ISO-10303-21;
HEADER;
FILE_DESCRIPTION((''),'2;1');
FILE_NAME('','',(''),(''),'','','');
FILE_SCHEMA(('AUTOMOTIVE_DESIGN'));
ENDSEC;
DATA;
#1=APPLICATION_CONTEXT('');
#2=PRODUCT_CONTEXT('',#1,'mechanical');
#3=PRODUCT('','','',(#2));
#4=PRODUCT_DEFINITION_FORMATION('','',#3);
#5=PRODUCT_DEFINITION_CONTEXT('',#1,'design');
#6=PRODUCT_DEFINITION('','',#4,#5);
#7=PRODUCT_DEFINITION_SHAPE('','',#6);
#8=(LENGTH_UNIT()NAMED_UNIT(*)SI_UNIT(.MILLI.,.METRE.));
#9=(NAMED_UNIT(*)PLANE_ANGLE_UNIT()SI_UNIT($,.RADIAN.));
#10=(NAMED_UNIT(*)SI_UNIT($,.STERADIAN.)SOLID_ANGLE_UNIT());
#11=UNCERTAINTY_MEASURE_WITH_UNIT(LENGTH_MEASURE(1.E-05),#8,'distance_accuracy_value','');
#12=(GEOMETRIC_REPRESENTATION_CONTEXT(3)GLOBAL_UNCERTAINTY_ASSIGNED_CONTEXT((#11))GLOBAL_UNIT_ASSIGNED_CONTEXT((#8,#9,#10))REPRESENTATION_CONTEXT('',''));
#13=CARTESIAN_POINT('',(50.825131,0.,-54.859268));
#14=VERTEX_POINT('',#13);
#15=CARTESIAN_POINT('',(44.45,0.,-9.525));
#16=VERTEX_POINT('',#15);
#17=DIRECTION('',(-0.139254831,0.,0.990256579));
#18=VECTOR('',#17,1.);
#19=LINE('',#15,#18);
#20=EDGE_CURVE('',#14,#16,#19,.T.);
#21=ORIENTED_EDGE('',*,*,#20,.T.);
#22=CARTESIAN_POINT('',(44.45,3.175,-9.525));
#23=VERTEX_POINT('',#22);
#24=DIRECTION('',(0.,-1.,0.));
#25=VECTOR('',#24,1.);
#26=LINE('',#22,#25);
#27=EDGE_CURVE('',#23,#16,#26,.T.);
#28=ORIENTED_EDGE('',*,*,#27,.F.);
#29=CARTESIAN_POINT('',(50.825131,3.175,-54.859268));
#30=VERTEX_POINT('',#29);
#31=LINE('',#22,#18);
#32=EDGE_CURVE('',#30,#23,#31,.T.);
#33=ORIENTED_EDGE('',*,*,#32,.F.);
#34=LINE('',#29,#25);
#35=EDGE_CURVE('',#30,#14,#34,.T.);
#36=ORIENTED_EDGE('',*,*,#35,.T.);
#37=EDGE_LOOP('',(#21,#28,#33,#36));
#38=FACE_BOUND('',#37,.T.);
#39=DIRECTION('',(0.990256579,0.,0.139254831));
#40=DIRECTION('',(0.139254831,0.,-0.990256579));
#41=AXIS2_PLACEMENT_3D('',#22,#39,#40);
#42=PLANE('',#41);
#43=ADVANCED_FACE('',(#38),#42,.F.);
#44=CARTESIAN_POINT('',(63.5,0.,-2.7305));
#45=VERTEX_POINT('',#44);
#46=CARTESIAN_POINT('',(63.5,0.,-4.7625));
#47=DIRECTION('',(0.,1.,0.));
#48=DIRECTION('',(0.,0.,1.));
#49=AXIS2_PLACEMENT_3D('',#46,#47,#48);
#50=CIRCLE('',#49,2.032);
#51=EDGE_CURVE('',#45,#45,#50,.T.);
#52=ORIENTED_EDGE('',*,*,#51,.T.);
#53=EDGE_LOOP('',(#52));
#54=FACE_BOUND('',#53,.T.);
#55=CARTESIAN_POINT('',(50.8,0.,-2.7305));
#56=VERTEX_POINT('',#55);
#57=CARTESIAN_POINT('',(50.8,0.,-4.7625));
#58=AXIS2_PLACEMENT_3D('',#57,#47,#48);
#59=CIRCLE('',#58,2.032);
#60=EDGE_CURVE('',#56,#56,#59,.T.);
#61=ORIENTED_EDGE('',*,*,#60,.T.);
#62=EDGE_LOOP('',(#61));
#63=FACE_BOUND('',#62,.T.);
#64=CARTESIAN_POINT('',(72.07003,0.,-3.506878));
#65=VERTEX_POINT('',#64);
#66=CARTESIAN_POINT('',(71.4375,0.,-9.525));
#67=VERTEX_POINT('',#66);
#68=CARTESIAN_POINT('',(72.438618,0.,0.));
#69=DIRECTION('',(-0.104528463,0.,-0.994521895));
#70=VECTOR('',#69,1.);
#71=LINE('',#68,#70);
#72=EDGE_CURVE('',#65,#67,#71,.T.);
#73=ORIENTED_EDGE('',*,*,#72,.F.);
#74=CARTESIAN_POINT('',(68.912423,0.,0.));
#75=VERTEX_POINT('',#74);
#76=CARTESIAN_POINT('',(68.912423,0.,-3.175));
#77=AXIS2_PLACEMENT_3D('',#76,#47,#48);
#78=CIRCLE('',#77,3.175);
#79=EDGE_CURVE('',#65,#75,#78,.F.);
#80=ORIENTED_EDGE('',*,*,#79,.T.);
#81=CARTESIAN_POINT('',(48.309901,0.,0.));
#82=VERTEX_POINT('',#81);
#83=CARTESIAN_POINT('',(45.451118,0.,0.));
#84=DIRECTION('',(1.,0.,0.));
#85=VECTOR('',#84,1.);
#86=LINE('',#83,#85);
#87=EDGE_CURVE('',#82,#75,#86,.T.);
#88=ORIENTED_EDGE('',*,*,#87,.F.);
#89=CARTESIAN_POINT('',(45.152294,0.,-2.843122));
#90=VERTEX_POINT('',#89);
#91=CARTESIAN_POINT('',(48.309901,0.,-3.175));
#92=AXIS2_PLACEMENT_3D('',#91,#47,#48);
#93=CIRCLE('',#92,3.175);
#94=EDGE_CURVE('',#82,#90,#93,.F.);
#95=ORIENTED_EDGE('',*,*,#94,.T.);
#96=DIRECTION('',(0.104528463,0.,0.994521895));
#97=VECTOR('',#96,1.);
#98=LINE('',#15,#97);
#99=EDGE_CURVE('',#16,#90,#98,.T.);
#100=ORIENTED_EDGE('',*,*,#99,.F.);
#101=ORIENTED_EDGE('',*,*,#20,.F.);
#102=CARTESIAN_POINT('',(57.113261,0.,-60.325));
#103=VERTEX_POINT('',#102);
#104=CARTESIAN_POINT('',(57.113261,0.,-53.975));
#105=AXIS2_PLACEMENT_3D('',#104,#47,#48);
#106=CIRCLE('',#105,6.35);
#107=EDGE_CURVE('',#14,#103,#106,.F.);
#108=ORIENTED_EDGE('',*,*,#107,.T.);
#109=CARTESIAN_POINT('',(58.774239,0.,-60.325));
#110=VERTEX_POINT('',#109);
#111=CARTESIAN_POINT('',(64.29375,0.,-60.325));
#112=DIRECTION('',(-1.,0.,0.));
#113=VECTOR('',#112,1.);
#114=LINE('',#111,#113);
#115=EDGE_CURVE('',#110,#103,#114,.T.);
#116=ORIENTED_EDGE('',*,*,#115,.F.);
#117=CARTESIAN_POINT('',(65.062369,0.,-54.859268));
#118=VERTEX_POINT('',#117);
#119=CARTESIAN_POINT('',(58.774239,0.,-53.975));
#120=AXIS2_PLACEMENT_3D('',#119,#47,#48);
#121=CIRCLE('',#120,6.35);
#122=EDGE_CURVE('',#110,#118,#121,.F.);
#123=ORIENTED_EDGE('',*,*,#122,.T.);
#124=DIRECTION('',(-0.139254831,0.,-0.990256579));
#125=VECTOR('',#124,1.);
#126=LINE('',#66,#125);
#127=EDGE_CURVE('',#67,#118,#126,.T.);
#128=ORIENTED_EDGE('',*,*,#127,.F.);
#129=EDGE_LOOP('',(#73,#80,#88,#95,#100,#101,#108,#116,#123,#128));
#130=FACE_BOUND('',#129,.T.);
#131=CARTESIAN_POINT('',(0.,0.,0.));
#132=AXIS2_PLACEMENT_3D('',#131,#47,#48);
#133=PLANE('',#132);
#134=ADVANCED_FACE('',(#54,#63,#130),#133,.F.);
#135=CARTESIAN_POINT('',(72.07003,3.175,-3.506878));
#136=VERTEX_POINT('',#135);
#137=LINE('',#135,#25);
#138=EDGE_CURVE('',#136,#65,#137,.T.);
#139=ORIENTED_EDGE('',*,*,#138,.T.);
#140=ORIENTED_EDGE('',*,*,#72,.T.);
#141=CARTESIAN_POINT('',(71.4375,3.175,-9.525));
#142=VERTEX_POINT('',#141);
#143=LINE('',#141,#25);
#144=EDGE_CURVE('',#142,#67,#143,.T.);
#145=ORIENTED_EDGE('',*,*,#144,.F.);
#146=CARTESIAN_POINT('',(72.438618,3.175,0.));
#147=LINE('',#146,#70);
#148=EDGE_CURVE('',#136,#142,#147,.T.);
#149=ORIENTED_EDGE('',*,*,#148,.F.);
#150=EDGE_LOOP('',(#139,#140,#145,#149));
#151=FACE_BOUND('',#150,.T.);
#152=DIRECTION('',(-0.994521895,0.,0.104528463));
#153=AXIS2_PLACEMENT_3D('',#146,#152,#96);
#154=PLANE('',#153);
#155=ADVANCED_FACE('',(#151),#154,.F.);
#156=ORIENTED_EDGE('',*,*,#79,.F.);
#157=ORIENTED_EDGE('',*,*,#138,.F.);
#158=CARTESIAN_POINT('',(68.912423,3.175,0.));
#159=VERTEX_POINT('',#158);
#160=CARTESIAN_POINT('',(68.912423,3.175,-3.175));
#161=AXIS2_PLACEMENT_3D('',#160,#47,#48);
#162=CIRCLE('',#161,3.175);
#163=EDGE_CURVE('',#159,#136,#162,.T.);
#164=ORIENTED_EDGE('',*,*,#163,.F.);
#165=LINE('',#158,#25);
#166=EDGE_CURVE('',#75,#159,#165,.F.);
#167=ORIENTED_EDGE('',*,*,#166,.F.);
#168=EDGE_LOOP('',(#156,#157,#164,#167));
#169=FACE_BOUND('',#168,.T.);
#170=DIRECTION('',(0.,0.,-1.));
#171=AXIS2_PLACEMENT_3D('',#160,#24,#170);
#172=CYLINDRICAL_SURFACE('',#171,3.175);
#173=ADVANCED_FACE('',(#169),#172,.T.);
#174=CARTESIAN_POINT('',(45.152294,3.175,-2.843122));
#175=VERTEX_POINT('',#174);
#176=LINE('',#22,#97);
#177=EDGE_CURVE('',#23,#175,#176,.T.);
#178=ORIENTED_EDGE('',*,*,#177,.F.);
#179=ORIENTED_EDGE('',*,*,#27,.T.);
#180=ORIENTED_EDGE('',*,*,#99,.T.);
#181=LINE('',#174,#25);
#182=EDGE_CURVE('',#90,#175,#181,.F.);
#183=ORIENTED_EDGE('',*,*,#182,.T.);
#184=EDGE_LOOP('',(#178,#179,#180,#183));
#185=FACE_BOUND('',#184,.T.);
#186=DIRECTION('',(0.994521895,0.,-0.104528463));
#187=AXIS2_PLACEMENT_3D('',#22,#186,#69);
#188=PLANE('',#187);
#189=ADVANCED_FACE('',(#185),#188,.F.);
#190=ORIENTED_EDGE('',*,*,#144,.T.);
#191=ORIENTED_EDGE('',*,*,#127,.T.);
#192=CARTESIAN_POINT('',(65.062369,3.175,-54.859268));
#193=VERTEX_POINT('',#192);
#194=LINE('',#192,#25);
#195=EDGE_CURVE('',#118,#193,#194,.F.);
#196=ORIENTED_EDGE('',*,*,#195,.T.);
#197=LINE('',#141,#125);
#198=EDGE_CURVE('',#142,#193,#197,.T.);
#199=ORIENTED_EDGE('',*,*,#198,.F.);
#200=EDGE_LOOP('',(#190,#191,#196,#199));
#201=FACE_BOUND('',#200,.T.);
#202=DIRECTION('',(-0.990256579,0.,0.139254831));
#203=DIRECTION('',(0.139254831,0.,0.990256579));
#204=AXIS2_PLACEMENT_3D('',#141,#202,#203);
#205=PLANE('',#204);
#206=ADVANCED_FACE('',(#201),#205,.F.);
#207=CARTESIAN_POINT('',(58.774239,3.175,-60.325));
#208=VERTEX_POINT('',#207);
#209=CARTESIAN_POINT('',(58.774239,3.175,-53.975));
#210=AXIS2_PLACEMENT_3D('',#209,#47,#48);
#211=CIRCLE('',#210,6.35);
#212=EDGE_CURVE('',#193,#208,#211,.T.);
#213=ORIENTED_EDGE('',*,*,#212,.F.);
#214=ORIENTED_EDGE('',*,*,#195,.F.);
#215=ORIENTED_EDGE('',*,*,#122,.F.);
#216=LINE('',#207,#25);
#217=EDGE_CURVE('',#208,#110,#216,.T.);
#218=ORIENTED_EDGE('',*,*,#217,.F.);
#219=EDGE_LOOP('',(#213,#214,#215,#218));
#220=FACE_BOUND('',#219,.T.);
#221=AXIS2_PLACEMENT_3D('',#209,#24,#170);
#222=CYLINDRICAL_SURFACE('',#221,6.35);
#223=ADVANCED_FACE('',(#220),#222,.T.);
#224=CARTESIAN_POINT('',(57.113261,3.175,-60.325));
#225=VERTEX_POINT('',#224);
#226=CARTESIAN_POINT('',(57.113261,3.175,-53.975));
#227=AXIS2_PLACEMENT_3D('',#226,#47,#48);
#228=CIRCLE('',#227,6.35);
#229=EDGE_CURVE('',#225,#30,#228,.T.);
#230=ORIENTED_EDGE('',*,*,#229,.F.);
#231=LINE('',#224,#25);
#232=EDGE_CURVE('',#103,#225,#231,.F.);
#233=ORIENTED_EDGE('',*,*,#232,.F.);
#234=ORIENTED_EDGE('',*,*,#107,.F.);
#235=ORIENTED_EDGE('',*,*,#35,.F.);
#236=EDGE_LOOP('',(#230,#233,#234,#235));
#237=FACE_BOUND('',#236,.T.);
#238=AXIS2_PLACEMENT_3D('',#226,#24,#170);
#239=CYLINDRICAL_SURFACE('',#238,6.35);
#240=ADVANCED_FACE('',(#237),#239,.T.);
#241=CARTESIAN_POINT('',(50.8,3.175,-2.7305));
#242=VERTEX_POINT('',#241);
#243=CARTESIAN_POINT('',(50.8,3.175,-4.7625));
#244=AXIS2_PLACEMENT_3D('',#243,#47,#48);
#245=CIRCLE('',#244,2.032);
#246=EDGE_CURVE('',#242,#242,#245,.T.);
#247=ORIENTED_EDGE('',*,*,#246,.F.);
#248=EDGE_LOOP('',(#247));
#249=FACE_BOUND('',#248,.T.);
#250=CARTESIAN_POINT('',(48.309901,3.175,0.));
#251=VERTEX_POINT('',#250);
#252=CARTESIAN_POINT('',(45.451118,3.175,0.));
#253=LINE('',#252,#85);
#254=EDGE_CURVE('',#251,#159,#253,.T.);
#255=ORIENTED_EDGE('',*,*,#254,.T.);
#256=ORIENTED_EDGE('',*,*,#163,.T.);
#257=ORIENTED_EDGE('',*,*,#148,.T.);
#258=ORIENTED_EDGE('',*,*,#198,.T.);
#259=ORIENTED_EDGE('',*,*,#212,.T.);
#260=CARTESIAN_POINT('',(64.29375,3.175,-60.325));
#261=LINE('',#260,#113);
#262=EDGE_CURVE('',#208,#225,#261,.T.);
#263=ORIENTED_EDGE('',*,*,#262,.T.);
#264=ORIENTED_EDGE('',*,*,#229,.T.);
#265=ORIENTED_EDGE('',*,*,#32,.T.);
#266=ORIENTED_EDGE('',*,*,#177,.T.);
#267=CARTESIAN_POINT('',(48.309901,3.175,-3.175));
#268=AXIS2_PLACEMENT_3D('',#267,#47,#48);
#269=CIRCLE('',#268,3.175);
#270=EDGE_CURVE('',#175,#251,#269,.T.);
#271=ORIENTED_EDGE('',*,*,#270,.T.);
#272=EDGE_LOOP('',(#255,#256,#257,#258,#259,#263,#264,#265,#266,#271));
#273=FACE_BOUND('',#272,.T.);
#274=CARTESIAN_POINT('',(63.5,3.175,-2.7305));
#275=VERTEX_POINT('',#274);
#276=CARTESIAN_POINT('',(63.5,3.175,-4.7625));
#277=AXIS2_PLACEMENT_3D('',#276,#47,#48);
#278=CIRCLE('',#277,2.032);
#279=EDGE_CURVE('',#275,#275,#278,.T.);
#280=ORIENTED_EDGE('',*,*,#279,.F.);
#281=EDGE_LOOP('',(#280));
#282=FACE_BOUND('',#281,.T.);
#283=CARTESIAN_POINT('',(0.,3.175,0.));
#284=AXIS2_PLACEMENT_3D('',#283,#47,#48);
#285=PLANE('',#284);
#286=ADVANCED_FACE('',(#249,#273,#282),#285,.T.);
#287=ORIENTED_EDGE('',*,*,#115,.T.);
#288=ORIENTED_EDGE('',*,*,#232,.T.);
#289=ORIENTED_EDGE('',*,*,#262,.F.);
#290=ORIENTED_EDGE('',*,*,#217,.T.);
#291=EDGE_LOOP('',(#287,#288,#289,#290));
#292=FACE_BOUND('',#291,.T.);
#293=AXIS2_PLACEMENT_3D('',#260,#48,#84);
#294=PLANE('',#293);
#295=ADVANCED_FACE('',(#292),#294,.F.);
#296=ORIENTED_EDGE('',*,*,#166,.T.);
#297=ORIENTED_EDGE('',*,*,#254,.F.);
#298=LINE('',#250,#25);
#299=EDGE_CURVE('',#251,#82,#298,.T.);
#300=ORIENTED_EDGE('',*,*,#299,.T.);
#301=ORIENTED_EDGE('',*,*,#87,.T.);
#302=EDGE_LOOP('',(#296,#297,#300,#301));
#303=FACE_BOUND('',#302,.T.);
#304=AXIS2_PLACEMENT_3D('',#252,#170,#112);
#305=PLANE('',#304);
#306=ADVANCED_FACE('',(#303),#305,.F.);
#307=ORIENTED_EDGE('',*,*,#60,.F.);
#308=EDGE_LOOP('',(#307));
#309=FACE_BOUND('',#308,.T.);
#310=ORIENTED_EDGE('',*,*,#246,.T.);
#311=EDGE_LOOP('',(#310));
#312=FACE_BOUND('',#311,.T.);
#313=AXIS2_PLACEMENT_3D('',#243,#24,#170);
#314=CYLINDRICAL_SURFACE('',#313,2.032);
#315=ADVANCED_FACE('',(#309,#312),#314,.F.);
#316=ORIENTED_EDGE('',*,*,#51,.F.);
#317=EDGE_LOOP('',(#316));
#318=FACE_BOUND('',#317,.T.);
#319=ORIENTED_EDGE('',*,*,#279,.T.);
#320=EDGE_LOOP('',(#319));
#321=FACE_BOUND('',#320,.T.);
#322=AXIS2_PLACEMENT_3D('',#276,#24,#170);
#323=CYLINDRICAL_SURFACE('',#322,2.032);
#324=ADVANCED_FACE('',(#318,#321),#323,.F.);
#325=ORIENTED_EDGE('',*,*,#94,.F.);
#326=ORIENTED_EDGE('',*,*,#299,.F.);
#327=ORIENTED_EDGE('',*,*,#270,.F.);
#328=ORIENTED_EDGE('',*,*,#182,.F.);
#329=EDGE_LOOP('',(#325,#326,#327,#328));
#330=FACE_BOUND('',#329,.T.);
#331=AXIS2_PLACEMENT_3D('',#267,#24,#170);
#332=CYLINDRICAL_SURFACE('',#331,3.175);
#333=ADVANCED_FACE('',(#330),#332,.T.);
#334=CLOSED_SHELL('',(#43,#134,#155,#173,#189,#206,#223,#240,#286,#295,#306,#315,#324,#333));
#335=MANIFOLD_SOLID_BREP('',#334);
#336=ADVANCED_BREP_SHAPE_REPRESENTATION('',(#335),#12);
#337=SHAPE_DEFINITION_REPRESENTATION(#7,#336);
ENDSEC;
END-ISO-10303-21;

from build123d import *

# Parameters (mm, degrees)
SKETCH1_R           = 2.032
BOSS_EXTRUDE1_DEPTH = 3.175
FILLET1_R           = 6.35
FILLET2_R           = 3.175


with BuildPart() as part:
    # Sketch1 → Boss-Extrude1 (new body)
    with BuildSketch(Plane(origin=(0, 0, 0), x_dir=(1, 0, 0), z_dir=(0, 1, 0))):
        Polygon((44.45, 9.525), (45.451117841, 0), (72.438617841, 0), (71.4375, 9.525), (64.29375, 60.325), (51.59375, 60.325), align=None)
        with Locations(Location((50.8, 4.7625, 0), (0, 0, 270))):
            Circle(SKETCH1_R, mode=Mode.SUBTRACT)
        with Locations(Location((63.5, 4.7625, 0), (0, 0, 270))):
            Circle(SKETCH1_R, mode=Mode.SUBTRACT)
    extrude(amount=BOSS_EXTRUDE1_DEPTH)

    # Fillet1
    fillet1_edges = [part.edges().sort_by_distance(p)[0] for p in [
        (51.59375, 1.5875, -60.325),
        (64.29375, 1.5875, -60.325),
    ]]
    fillet(fillet1_edges, radius=FILLET1_R)

    # Fillet2
    fillet2_edges = [part.edges().sort_by_distance(p)[0] for p in [
        (72.438617841, 1.5875, 0),
        (45.451117841, 1.5875, 0),
    ]]
    fillet(fillet2_edges, radius=FILLET2_R)


solid = part.part
